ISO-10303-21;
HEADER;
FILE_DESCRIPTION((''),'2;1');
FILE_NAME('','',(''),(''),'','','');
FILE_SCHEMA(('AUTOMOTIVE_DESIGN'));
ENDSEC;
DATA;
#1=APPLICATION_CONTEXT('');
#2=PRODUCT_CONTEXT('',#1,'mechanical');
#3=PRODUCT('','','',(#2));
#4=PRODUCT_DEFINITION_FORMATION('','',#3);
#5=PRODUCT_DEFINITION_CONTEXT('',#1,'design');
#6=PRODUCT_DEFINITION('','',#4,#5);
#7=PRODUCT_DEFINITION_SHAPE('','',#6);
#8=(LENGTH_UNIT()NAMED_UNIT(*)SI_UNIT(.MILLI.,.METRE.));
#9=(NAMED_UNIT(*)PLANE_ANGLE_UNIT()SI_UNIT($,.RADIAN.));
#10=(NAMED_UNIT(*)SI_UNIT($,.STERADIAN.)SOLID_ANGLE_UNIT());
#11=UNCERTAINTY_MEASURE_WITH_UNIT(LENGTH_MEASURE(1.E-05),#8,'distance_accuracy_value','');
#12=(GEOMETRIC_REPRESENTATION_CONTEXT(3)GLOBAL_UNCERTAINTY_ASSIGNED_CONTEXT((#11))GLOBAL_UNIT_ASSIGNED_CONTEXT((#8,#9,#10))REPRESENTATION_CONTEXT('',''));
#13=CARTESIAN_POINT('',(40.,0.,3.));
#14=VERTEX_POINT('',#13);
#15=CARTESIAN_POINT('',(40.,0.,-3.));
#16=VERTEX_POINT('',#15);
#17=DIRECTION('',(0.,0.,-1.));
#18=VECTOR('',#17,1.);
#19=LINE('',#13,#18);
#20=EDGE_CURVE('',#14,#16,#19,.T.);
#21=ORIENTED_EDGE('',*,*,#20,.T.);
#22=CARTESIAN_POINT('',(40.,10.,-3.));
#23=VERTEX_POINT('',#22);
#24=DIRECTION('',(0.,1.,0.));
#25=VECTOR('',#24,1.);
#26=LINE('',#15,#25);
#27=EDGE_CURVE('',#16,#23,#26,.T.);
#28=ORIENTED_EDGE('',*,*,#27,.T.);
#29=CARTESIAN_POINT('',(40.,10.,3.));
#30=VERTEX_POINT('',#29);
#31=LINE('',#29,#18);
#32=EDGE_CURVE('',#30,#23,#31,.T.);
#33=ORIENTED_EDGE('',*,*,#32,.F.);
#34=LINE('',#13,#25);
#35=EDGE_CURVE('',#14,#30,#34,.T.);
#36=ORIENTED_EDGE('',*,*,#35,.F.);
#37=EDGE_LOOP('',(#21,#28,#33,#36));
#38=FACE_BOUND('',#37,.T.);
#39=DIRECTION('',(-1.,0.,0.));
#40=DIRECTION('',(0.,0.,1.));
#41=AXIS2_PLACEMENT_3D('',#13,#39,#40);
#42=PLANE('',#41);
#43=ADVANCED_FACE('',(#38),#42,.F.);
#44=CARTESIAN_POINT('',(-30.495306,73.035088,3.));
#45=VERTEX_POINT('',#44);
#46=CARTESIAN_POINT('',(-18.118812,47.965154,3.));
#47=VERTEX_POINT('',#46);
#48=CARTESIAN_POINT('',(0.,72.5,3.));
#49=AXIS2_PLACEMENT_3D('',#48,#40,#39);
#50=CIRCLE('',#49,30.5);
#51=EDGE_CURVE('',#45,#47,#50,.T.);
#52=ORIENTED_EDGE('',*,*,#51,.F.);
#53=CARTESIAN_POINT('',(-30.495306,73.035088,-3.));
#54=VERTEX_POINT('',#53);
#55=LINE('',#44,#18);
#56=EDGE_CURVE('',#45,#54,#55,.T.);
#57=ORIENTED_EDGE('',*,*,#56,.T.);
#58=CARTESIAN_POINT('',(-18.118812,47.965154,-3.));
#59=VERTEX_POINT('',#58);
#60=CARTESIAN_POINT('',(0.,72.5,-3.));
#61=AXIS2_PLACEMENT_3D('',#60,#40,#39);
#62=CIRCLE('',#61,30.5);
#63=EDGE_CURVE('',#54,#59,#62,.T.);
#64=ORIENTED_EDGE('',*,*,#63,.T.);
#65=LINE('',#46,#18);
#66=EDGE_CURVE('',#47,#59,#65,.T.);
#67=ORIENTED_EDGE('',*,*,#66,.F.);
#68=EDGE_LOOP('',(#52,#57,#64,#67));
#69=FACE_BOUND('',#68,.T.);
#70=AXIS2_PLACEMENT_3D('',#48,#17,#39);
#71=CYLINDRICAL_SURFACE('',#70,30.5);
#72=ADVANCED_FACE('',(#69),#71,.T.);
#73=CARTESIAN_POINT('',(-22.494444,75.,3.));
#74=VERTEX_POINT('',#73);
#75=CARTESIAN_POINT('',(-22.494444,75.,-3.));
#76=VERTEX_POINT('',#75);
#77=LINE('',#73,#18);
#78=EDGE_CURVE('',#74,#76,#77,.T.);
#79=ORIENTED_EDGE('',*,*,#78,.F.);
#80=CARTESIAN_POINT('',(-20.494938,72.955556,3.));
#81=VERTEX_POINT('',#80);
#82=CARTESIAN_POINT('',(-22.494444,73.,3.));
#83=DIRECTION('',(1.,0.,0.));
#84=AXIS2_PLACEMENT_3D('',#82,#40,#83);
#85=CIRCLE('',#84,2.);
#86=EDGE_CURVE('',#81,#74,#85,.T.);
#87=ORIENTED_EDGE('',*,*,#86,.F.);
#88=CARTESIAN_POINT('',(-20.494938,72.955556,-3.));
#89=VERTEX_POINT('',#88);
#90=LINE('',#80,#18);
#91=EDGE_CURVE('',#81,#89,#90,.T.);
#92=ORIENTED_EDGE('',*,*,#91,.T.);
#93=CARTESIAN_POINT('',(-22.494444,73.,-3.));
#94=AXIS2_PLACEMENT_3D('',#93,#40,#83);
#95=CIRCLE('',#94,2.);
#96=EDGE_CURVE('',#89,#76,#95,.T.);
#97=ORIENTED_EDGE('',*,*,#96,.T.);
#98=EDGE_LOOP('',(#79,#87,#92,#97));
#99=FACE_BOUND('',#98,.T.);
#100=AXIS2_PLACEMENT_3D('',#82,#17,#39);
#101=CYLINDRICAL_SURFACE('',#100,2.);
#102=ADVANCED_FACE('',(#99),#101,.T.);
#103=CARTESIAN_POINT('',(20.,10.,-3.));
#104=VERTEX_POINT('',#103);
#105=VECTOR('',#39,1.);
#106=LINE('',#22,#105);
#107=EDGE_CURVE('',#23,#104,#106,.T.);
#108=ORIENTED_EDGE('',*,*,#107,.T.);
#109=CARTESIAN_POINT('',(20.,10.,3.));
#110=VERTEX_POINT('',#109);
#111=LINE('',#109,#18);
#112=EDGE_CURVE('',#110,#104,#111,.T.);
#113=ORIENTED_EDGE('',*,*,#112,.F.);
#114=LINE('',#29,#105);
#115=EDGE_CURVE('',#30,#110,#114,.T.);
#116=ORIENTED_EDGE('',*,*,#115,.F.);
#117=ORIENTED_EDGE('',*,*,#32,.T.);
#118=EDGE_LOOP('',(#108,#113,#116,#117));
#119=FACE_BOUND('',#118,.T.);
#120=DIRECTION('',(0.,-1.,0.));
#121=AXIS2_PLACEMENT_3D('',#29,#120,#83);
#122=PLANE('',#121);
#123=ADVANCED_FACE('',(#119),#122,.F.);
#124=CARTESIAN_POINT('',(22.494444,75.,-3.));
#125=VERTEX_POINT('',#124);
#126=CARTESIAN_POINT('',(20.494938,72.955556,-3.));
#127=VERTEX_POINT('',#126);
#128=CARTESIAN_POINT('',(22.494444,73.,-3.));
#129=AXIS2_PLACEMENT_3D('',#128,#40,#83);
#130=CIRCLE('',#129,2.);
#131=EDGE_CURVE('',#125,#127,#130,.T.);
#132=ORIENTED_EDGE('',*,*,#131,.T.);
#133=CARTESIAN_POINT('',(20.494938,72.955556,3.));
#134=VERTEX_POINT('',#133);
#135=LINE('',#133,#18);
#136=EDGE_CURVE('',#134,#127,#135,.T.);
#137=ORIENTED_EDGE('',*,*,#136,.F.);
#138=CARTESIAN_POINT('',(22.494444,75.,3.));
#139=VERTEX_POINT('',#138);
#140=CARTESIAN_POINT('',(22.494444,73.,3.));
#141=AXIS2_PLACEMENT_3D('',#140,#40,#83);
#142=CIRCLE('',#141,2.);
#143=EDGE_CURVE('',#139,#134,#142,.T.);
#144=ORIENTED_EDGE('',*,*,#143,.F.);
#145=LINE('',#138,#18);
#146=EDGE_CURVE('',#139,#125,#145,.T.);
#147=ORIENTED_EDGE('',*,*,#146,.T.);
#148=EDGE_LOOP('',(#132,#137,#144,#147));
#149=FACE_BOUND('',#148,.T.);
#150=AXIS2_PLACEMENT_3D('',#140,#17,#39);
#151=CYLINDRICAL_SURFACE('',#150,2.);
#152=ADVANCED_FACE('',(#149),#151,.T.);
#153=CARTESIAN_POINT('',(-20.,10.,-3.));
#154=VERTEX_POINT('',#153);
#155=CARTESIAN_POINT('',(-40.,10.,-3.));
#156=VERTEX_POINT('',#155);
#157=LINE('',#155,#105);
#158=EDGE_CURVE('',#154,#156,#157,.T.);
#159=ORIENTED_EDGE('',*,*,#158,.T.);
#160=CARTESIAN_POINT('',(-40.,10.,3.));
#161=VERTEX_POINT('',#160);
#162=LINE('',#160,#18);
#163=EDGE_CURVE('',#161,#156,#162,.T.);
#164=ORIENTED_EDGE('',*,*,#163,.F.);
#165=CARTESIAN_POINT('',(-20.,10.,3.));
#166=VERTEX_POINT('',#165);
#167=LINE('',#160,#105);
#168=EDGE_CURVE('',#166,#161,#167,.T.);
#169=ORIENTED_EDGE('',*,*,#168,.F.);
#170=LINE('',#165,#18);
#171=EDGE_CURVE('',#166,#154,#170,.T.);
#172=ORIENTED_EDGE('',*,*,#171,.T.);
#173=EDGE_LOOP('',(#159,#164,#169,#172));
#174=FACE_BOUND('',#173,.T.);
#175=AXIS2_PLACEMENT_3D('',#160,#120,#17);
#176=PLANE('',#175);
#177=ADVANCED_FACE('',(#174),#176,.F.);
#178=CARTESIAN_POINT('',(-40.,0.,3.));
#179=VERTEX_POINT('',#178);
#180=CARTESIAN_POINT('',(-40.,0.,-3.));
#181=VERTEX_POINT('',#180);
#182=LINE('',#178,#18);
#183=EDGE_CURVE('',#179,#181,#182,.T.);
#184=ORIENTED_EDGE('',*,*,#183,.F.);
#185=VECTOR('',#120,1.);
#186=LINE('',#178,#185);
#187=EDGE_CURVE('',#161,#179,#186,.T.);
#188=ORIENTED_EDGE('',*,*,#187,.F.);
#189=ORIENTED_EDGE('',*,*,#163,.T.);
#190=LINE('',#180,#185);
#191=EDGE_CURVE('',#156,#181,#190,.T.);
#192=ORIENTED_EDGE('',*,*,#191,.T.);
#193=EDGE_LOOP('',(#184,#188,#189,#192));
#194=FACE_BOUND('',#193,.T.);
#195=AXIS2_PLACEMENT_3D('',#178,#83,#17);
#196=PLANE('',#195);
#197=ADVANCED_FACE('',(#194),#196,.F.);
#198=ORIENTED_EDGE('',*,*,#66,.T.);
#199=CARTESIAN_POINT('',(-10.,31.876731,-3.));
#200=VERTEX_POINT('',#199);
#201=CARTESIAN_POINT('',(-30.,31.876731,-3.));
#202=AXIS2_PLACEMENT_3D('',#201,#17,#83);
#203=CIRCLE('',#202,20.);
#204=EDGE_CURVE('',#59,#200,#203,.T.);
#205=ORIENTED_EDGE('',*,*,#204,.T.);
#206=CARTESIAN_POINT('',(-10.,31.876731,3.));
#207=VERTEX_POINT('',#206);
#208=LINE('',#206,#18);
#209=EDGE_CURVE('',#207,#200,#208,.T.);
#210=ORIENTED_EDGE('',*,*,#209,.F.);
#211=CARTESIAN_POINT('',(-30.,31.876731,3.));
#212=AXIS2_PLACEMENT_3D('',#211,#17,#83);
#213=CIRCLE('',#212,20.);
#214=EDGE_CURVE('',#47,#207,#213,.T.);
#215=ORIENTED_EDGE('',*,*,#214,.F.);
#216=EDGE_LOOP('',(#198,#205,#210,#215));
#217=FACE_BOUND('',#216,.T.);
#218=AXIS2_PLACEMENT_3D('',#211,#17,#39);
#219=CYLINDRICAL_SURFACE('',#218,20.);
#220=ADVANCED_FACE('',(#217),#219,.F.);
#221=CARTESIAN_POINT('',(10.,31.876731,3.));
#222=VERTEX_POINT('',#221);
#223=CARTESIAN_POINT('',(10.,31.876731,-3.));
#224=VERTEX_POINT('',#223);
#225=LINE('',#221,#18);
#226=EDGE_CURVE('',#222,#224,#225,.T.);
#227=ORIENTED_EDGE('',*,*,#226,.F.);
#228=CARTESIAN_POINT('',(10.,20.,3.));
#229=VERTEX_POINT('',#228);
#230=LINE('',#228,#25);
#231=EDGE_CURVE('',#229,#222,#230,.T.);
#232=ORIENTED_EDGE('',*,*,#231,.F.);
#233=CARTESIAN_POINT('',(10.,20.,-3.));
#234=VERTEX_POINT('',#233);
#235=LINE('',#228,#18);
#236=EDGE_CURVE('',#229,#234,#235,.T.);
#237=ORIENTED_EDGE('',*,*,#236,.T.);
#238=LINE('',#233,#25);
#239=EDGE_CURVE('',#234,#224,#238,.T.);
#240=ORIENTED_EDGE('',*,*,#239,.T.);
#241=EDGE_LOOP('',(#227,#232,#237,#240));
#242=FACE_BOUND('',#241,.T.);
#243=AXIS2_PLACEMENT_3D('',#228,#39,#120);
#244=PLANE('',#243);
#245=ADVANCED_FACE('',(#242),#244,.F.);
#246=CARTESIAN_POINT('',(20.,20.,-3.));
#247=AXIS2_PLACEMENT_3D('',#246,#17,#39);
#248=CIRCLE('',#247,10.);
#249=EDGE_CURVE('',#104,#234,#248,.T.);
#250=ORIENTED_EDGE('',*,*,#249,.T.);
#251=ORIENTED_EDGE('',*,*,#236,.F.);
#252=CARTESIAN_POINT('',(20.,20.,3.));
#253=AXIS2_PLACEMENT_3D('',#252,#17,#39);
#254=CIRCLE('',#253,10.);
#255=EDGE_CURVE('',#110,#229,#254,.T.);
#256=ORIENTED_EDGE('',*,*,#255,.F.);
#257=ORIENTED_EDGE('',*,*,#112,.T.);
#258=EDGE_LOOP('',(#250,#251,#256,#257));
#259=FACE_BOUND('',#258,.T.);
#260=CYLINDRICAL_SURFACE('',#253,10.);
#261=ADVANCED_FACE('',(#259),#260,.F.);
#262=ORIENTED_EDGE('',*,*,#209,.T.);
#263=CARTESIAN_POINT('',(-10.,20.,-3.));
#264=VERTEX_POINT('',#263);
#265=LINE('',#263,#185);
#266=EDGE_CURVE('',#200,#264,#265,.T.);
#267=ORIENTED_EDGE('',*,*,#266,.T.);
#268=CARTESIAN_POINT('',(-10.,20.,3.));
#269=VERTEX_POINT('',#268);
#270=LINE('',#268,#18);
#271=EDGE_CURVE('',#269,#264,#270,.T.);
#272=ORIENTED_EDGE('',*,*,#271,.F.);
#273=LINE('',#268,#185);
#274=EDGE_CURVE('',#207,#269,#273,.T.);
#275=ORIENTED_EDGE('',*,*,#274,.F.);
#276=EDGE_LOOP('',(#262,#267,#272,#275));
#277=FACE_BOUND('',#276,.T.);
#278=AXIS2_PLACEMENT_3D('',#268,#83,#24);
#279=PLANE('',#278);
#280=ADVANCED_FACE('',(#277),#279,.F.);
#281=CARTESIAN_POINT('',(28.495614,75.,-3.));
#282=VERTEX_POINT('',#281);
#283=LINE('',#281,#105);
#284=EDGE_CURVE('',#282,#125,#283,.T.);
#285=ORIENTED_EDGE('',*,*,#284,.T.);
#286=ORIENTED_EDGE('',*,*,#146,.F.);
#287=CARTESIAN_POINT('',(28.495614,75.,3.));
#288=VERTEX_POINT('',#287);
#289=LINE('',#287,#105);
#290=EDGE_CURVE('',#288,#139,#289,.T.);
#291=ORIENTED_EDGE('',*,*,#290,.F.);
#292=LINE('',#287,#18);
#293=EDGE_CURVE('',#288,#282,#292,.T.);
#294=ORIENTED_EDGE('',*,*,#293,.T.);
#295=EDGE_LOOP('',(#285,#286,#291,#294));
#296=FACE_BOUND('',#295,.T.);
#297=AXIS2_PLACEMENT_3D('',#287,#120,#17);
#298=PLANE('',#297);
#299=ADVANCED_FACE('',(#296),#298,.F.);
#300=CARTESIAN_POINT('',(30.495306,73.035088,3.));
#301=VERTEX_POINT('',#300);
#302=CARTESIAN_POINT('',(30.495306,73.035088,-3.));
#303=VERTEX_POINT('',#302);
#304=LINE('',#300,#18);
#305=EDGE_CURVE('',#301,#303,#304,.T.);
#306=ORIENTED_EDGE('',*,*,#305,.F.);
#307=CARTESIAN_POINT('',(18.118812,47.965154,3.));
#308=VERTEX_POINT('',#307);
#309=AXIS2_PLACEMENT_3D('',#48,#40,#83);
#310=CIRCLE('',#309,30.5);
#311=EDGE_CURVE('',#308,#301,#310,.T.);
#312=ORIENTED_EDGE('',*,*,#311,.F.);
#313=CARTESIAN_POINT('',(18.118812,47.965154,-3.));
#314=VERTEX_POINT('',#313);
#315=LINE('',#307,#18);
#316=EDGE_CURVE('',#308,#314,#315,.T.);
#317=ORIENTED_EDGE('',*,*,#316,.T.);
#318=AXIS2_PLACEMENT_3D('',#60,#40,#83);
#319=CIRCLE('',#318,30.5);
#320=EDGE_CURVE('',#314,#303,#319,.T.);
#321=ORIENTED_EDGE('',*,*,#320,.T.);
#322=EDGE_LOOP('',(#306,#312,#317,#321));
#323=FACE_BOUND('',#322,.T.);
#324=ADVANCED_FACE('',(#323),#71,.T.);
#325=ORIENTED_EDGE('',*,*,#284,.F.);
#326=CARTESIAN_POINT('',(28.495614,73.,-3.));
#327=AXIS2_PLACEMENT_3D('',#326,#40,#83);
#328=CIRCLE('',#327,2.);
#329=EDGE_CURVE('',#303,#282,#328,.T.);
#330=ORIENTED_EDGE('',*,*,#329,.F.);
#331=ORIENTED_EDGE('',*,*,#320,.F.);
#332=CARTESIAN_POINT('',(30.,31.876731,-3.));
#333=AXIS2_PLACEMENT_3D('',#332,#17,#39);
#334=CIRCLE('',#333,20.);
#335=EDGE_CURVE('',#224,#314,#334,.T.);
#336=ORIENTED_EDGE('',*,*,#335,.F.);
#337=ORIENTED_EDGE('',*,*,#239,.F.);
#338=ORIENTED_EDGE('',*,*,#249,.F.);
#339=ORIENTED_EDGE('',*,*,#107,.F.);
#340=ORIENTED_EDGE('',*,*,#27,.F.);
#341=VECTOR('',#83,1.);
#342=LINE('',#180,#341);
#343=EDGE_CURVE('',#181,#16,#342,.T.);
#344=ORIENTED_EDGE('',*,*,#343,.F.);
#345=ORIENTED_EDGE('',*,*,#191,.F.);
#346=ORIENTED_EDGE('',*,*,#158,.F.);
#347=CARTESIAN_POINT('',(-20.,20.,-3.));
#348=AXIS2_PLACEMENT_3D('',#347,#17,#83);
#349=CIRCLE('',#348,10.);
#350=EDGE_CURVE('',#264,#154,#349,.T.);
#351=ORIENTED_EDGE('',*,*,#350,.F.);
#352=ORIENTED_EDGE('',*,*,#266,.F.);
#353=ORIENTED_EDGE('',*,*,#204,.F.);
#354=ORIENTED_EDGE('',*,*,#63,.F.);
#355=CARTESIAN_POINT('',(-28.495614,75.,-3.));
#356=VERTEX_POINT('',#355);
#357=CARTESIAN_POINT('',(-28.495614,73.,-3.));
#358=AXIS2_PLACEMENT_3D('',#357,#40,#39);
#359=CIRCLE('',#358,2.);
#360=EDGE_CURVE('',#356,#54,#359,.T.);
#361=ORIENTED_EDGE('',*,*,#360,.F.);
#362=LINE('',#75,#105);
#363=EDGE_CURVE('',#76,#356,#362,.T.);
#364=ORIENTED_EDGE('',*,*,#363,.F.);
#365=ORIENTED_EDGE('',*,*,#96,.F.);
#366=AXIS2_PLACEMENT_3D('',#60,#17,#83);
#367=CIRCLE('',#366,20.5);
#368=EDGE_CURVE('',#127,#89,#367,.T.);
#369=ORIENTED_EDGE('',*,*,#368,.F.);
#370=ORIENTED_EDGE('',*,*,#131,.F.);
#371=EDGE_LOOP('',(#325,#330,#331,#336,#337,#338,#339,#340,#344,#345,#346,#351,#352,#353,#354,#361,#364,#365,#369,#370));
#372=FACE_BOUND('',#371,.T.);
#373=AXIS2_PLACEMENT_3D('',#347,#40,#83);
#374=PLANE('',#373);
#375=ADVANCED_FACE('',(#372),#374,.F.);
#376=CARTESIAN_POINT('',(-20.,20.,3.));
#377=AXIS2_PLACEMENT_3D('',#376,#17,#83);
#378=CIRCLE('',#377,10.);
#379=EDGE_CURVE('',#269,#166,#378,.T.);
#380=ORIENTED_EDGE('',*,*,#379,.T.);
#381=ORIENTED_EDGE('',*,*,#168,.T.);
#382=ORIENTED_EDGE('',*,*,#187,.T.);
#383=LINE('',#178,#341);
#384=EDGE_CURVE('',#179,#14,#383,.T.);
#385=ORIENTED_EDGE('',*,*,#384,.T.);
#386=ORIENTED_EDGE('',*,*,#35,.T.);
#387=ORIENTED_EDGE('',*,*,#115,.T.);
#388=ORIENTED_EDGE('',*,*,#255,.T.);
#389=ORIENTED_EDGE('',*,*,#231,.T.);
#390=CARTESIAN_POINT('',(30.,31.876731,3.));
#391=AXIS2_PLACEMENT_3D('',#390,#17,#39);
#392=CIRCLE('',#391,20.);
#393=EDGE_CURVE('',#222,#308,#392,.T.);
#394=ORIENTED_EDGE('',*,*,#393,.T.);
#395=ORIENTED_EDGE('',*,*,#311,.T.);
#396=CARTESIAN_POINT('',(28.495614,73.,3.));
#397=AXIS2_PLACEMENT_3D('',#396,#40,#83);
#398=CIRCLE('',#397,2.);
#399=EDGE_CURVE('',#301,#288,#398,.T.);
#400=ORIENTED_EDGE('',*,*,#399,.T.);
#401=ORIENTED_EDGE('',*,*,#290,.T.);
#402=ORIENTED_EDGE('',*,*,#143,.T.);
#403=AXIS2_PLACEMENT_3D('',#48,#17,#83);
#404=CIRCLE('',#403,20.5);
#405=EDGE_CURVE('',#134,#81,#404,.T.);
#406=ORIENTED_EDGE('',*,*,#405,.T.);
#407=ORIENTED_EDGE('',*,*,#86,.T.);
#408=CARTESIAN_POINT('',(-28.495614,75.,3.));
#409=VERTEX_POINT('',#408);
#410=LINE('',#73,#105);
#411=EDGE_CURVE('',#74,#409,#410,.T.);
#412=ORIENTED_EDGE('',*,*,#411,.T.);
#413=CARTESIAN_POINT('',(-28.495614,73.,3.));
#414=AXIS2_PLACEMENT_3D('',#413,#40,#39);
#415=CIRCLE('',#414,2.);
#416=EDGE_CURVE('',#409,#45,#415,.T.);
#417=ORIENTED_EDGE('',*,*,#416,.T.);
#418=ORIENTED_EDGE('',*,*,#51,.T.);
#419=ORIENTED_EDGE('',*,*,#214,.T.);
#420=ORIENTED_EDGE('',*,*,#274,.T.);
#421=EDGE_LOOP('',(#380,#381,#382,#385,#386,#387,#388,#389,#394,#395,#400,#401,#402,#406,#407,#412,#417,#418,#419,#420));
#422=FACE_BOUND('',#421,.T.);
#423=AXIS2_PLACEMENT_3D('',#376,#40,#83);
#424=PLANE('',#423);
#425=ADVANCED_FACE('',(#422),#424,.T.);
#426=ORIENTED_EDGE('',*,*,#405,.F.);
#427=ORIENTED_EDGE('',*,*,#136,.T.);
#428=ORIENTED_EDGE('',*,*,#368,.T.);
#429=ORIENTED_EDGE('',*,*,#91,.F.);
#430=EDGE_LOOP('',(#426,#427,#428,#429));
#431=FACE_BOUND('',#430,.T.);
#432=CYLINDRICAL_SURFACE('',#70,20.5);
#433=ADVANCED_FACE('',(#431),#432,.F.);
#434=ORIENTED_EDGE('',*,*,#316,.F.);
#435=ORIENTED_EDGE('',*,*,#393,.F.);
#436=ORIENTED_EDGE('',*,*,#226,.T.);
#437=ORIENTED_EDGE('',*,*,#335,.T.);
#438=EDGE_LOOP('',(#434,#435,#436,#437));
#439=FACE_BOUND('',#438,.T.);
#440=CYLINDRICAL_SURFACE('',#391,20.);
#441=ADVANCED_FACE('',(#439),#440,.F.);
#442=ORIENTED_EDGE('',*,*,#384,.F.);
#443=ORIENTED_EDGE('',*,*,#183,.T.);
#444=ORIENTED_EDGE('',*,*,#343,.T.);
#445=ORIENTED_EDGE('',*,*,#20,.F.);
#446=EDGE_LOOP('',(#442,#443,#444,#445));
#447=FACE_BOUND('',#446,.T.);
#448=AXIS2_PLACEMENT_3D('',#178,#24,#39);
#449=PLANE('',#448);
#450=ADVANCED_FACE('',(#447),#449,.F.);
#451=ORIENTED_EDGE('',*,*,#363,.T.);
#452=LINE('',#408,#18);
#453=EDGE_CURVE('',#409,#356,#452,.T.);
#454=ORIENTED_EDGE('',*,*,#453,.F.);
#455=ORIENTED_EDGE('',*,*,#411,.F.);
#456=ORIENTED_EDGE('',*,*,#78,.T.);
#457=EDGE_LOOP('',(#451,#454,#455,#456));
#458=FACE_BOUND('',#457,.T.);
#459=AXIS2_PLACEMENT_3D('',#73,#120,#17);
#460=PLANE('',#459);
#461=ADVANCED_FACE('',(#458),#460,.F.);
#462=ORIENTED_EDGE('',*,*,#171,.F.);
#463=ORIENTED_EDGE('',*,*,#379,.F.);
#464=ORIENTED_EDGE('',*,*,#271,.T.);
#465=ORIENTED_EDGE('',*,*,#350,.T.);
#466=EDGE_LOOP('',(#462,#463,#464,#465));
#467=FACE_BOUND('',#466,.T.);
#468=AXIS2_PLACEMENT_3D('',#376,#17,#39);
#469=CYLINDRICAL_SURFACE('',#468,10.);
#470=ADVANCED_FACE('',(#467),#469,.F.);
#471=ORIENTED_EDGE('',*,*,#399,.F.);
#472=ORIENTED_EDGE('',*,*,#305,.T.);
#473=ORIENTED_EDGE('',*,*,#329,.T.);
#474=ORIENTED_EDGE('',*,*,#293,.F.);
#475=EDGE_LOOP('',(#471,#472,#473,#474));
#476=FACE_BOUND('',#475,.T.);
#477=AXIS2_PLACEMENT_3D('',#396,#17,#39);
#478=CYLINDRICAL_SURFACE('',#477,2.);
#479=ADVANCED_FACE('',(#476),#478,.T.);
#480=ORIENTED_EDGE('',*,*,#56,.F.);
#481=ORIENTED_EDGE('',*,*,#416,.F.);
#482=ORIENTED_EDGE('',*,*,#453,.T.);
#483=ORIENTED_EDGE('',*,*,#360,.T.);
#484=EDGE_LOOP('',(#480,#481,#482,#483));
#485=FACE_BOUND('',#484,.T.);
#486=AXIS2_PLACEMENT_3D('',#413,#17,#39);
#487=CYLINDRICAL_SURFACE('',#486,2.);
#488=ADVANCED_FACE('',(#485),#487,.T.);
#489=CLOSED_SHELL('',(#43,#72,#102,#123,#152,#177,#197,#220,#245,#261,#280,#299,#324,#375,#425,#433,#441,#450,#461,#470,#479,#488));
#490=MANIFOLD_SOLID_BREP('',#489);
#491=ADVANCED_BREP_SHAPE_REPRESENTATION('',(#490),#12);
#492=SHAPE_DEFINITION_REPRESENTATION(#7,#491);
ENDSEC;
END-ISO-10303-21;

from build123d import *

# Parameters (mm, degrees)
BOSS_EXTRU_1_DEPTH = 3


with BuildPart() as part:
    # Esquisse1 → Boss.-Extru.1 (new body, symmetric)
    with BuildSketch(Plane.XY):
        with BuildLine():
            Line((-40, 0), (40, 0))
            Line((40, 0), (40, 10))
            Line((40, 10), (20, 10))
            ThreePointArc((20, 10), (12.928932188, 12.928932188), (10, 20))
            Line((10, 20), (10, 31.876730806))
            ThreePointArc((10, 31.876730806), (12.144695993, 40.88717579), (18.118811881, 47.965154249))
            ThreePointArc((18.118811881, 47.965154249), (27.348830005, 58.998463148), (30.495305887, 73.035087719))
            ThreePointArc((30.495305887, 73.035087719), (29.897366986, 74.426565007), (28.495613698, 75))
            Line((28.495613698, 75), (22.494443758, 75))
            ThreePointArc((22.494443758, 75), (21.064603052, 74.398411798), (20.494937647, 72.955555556))
            ThreePointArc((20.494937647, 72.955555556), (0, 52), (-20.494937647, 72.955555556))
            ThreePointArc((-20.494937647, 72.955555556), (-21.064603052, 74.398411798), (-22.494443758, 75))
            Line((-22.494443758, 75), (-28.495613698, 75))
            ThreePointArc((-28.495613698, 75), (-29.897366986, 74.426565007), (-30.495305887, 73.035087719))
            ThreePointArc((-30.495305887, 73.035087719), (-27.348830005, 58.998463148), (-18.118811881, 47.965154249))
            ThreePointArc((-18.118811881, 47.965154249), (-12.144695993, 40.88717579), (-10, 31.876730806))
            Line((-10, 31.876730806), (-10, 20))
            ThreePointArc((-10, 20), (-12.928932188, 12.928932188), (-20, 10))
            Line((-20, 10), (-40, 10))
            Line((-40, 10), (-40, 0))
        make_face()
    extrude(amount=BOSS_EXTRU_1_DEPTH, both=True)


solid = part.part
